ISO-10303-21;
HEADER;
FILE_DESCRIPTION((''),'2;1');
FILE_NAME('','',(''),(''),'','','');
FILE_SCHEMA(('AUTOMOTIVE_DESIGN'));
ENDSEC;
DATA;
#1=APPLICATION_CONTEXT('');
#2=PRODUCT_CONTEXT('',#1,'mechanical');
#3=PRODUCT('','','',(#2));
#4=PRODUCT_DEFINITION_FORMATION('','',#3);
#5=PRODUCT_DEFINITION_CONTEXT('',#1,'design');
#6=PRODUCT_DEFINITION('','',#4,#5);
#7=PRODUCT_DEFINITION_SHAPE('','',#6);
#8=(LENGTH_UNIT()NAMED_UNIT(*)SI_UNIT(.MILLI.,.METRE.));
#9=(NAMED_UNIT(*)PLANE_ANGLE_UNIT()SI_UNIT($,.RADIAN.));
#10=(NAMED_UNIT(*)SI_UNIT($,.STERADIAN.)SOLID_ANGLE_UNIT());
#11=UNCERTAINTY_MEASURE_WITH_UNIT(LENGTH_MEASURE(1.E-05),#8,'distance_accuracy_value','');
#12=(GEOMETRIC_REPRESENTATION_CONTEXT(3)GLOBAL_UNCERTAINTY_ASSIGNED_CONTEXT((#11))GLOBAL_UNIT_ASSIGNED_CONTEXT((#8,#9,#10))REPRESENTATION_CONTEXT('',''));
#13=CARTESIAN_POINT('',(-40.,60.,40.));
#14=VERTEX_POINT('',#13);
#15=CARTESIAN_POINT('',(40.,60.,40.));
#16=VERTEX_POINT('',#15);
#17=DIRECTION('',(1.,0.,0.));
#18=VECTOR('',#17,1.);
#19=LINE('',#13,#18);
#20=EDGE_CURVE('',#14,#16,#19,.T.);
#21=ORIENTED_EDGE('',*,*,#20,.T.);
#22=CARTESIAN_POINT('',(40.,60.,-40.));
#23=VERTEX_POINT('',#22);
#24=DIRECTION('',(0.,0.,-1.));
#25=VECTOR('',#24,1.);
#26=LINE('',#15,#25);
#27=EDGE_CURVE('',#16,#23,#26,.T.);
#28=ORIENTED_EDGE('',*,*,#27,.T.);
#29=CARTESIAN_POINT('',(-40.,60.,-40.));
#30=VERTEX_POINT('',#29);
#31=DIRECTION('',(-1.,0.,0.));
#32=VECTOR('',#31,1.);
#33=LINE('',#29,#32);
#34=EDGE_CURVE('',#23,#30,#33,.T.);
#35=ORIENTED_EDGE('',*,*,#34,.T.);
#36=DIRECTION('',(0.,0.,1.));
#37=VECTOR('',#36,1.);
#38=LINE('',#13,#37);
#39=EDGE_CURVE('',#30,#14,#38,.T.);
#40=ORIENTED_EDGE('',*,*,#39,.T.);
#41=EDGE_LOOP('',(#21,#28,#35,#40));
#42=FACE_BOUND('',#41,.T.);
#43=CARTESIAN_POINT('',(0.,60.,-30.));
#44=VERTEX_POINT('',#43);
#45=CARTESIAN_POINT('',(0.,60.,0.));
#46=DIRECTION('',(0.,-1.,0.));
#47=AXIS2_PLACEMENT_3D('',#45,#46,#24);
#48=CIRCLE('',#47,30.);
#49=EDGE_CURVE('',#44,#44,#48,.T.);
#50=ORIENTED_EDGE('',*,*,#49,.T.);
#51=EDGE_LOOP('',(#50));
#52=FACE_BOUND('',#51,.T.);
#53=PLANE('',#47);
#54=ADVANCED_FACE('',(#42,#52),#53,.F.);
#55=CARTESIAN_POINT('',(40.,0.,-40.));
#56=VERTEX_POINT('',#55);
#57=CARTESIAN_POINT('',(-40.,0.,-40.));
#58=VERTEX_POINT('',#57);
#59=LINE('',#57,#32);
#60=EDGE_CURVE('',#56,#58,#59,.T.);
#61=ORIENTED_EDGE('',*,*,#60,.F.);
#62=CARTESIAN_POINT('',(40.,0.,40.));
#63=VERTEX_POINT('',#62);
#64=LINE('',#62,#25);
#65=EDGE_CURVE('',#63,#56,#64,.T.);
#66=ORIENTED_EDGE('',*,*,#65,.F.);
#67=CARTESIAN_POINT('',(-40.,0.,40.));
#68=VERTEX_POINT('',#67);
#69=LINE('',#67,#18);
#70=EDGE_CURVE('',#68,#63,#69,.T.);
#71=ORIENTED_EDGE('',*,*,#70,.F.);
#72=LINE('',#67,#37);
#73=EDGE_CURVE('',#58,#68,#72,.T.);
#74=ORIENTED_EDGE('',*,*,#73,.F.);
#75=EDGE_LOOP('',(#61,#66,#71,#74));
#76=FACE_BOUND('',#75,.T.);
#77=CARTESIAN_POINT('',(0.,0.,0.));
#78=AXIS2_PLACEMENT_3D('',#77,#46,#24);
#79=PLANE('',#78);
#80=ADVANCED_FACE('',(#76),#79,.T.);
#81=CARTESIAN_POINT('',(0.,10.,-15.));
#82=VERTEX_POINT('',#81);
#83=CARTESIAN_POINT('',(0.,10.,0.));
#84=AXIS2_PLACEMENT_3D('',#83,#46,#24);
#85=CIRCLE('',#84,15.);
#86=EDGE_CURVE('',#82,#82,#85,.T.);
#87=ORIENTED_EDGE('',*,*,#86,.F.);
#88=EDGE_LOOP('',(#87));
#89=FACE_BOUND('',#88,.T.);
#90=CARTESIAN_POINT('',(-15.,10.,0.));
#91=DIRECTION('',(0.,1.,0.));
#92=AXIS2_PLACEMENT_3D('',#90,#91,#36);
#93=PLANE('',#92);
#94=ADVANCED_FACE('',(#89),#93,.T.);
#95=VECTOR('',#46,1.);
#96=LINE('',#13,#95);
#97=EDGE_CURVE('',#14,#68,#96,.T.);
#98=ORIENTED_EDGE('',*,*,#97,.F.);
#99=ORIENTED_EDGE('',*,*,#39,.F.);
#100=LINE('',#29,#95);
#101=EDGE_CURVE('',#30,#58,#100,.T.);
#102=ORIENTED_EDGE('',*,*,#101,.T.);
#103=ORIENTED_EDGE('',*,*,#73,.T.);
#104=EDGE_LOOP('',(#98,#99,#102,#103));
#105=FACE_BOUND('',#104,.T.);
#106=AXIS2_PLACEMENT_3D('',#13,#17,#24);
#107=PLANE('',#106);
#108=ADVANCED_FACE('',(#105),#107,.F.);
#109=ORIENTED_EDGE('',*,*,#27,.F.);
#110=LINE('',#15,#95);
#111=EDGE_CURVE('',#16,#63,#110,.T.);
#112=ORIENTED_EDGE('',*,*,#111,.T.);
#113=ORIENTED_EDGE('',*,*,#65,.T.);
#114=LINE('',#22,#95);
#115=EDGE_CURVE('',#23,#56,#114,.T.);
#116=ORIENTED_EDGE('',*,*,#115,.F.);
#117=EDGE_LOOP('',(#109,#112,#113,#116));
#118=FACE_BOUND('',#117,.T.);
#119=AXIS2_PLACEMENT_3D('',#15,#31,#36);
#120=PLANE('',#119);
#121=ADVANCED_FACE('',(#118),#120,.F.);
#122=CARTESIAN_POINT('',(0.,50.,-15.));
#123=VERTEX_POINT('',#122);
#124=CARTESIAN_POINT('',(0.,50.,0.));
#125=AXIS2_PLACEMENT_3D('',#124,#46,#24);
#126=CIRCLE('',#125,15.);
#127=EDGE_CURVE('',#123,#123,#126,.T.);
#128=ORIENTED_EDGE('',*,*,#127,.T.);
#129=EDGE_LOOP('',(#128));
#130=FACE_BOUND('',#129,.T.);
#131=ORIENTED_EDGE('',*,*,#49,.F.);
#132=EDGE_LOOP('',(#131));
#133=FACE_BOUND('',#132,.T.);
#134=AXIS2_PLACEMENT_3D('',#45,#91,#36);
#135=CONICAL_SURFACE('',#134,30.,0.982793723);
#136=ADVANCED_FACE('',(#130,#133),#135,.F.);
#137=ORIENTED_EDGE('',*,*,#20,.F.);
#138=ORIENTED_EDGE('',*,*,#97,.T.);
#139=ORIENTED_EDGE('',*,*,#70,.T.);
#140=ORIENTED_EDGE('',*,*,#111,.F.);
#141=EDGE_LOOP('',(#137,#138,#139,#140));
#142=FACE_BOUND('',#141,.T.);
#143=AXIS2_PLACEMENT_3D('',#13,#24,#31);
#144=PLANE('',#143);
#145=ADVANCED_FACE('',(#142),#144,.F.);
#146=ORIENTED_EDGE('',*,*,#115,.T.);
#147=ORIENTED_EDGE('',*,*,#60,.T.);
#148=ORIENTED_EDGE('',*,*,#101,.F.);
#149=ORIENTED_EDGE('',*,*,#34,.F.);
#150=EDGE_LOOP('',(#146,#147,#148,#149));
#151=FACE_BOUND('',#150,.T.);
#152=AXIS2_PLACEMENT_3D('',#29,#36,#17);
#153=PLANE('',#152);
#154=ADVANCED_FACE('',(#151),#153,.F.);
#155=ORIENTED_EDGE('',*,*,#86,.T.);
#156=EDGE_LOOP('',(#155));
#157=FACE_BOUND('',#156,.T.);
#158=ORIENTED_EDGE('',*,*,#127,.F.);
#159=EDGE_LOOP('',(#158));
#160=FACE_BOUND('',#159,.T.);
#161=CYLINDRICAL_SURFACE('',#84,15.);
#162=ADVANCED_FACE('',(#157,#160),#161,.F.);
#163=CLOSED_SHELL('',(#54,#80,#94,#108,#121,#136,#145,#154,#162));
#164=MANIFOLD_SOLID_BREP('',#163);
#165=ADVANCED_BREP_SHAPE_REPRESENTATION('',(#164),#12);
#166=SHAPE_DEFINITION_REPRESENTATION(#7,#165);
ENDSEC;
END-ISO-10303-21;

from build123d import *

# Parameters (mm, degrees)
SKETCH1_W           = 80
SKETCH1_H           = 80
BOSS_EXTRUDE1_DEPTH = 60


with BuildPart() as part:
    # Sketch1 → Boss-Extrude1 (new body)
    with BuildSketch(Plane(origin=(0, 0, 0), x_dir=(1, 0, 0), z_dir=(0, 1, 0))):
        Rectangle(SKETCH1_W, SKETCH1_H)
    extrude(amount=BOSS_EXTRUDE1_DEPTH)

    # Sketch2 → Cut-Revolve1 (revolve, cut)
    with BuildSketch(Plane.XY):
        Polygon((0, 60), (-30, 60), (-15, 50), (-15, 10), (0, 10), align=None)
    revolve(axis=Axis((0, 10, 0), (0, 1, 0)), mode=Mode.SUBTRACT)


solid = part.part
